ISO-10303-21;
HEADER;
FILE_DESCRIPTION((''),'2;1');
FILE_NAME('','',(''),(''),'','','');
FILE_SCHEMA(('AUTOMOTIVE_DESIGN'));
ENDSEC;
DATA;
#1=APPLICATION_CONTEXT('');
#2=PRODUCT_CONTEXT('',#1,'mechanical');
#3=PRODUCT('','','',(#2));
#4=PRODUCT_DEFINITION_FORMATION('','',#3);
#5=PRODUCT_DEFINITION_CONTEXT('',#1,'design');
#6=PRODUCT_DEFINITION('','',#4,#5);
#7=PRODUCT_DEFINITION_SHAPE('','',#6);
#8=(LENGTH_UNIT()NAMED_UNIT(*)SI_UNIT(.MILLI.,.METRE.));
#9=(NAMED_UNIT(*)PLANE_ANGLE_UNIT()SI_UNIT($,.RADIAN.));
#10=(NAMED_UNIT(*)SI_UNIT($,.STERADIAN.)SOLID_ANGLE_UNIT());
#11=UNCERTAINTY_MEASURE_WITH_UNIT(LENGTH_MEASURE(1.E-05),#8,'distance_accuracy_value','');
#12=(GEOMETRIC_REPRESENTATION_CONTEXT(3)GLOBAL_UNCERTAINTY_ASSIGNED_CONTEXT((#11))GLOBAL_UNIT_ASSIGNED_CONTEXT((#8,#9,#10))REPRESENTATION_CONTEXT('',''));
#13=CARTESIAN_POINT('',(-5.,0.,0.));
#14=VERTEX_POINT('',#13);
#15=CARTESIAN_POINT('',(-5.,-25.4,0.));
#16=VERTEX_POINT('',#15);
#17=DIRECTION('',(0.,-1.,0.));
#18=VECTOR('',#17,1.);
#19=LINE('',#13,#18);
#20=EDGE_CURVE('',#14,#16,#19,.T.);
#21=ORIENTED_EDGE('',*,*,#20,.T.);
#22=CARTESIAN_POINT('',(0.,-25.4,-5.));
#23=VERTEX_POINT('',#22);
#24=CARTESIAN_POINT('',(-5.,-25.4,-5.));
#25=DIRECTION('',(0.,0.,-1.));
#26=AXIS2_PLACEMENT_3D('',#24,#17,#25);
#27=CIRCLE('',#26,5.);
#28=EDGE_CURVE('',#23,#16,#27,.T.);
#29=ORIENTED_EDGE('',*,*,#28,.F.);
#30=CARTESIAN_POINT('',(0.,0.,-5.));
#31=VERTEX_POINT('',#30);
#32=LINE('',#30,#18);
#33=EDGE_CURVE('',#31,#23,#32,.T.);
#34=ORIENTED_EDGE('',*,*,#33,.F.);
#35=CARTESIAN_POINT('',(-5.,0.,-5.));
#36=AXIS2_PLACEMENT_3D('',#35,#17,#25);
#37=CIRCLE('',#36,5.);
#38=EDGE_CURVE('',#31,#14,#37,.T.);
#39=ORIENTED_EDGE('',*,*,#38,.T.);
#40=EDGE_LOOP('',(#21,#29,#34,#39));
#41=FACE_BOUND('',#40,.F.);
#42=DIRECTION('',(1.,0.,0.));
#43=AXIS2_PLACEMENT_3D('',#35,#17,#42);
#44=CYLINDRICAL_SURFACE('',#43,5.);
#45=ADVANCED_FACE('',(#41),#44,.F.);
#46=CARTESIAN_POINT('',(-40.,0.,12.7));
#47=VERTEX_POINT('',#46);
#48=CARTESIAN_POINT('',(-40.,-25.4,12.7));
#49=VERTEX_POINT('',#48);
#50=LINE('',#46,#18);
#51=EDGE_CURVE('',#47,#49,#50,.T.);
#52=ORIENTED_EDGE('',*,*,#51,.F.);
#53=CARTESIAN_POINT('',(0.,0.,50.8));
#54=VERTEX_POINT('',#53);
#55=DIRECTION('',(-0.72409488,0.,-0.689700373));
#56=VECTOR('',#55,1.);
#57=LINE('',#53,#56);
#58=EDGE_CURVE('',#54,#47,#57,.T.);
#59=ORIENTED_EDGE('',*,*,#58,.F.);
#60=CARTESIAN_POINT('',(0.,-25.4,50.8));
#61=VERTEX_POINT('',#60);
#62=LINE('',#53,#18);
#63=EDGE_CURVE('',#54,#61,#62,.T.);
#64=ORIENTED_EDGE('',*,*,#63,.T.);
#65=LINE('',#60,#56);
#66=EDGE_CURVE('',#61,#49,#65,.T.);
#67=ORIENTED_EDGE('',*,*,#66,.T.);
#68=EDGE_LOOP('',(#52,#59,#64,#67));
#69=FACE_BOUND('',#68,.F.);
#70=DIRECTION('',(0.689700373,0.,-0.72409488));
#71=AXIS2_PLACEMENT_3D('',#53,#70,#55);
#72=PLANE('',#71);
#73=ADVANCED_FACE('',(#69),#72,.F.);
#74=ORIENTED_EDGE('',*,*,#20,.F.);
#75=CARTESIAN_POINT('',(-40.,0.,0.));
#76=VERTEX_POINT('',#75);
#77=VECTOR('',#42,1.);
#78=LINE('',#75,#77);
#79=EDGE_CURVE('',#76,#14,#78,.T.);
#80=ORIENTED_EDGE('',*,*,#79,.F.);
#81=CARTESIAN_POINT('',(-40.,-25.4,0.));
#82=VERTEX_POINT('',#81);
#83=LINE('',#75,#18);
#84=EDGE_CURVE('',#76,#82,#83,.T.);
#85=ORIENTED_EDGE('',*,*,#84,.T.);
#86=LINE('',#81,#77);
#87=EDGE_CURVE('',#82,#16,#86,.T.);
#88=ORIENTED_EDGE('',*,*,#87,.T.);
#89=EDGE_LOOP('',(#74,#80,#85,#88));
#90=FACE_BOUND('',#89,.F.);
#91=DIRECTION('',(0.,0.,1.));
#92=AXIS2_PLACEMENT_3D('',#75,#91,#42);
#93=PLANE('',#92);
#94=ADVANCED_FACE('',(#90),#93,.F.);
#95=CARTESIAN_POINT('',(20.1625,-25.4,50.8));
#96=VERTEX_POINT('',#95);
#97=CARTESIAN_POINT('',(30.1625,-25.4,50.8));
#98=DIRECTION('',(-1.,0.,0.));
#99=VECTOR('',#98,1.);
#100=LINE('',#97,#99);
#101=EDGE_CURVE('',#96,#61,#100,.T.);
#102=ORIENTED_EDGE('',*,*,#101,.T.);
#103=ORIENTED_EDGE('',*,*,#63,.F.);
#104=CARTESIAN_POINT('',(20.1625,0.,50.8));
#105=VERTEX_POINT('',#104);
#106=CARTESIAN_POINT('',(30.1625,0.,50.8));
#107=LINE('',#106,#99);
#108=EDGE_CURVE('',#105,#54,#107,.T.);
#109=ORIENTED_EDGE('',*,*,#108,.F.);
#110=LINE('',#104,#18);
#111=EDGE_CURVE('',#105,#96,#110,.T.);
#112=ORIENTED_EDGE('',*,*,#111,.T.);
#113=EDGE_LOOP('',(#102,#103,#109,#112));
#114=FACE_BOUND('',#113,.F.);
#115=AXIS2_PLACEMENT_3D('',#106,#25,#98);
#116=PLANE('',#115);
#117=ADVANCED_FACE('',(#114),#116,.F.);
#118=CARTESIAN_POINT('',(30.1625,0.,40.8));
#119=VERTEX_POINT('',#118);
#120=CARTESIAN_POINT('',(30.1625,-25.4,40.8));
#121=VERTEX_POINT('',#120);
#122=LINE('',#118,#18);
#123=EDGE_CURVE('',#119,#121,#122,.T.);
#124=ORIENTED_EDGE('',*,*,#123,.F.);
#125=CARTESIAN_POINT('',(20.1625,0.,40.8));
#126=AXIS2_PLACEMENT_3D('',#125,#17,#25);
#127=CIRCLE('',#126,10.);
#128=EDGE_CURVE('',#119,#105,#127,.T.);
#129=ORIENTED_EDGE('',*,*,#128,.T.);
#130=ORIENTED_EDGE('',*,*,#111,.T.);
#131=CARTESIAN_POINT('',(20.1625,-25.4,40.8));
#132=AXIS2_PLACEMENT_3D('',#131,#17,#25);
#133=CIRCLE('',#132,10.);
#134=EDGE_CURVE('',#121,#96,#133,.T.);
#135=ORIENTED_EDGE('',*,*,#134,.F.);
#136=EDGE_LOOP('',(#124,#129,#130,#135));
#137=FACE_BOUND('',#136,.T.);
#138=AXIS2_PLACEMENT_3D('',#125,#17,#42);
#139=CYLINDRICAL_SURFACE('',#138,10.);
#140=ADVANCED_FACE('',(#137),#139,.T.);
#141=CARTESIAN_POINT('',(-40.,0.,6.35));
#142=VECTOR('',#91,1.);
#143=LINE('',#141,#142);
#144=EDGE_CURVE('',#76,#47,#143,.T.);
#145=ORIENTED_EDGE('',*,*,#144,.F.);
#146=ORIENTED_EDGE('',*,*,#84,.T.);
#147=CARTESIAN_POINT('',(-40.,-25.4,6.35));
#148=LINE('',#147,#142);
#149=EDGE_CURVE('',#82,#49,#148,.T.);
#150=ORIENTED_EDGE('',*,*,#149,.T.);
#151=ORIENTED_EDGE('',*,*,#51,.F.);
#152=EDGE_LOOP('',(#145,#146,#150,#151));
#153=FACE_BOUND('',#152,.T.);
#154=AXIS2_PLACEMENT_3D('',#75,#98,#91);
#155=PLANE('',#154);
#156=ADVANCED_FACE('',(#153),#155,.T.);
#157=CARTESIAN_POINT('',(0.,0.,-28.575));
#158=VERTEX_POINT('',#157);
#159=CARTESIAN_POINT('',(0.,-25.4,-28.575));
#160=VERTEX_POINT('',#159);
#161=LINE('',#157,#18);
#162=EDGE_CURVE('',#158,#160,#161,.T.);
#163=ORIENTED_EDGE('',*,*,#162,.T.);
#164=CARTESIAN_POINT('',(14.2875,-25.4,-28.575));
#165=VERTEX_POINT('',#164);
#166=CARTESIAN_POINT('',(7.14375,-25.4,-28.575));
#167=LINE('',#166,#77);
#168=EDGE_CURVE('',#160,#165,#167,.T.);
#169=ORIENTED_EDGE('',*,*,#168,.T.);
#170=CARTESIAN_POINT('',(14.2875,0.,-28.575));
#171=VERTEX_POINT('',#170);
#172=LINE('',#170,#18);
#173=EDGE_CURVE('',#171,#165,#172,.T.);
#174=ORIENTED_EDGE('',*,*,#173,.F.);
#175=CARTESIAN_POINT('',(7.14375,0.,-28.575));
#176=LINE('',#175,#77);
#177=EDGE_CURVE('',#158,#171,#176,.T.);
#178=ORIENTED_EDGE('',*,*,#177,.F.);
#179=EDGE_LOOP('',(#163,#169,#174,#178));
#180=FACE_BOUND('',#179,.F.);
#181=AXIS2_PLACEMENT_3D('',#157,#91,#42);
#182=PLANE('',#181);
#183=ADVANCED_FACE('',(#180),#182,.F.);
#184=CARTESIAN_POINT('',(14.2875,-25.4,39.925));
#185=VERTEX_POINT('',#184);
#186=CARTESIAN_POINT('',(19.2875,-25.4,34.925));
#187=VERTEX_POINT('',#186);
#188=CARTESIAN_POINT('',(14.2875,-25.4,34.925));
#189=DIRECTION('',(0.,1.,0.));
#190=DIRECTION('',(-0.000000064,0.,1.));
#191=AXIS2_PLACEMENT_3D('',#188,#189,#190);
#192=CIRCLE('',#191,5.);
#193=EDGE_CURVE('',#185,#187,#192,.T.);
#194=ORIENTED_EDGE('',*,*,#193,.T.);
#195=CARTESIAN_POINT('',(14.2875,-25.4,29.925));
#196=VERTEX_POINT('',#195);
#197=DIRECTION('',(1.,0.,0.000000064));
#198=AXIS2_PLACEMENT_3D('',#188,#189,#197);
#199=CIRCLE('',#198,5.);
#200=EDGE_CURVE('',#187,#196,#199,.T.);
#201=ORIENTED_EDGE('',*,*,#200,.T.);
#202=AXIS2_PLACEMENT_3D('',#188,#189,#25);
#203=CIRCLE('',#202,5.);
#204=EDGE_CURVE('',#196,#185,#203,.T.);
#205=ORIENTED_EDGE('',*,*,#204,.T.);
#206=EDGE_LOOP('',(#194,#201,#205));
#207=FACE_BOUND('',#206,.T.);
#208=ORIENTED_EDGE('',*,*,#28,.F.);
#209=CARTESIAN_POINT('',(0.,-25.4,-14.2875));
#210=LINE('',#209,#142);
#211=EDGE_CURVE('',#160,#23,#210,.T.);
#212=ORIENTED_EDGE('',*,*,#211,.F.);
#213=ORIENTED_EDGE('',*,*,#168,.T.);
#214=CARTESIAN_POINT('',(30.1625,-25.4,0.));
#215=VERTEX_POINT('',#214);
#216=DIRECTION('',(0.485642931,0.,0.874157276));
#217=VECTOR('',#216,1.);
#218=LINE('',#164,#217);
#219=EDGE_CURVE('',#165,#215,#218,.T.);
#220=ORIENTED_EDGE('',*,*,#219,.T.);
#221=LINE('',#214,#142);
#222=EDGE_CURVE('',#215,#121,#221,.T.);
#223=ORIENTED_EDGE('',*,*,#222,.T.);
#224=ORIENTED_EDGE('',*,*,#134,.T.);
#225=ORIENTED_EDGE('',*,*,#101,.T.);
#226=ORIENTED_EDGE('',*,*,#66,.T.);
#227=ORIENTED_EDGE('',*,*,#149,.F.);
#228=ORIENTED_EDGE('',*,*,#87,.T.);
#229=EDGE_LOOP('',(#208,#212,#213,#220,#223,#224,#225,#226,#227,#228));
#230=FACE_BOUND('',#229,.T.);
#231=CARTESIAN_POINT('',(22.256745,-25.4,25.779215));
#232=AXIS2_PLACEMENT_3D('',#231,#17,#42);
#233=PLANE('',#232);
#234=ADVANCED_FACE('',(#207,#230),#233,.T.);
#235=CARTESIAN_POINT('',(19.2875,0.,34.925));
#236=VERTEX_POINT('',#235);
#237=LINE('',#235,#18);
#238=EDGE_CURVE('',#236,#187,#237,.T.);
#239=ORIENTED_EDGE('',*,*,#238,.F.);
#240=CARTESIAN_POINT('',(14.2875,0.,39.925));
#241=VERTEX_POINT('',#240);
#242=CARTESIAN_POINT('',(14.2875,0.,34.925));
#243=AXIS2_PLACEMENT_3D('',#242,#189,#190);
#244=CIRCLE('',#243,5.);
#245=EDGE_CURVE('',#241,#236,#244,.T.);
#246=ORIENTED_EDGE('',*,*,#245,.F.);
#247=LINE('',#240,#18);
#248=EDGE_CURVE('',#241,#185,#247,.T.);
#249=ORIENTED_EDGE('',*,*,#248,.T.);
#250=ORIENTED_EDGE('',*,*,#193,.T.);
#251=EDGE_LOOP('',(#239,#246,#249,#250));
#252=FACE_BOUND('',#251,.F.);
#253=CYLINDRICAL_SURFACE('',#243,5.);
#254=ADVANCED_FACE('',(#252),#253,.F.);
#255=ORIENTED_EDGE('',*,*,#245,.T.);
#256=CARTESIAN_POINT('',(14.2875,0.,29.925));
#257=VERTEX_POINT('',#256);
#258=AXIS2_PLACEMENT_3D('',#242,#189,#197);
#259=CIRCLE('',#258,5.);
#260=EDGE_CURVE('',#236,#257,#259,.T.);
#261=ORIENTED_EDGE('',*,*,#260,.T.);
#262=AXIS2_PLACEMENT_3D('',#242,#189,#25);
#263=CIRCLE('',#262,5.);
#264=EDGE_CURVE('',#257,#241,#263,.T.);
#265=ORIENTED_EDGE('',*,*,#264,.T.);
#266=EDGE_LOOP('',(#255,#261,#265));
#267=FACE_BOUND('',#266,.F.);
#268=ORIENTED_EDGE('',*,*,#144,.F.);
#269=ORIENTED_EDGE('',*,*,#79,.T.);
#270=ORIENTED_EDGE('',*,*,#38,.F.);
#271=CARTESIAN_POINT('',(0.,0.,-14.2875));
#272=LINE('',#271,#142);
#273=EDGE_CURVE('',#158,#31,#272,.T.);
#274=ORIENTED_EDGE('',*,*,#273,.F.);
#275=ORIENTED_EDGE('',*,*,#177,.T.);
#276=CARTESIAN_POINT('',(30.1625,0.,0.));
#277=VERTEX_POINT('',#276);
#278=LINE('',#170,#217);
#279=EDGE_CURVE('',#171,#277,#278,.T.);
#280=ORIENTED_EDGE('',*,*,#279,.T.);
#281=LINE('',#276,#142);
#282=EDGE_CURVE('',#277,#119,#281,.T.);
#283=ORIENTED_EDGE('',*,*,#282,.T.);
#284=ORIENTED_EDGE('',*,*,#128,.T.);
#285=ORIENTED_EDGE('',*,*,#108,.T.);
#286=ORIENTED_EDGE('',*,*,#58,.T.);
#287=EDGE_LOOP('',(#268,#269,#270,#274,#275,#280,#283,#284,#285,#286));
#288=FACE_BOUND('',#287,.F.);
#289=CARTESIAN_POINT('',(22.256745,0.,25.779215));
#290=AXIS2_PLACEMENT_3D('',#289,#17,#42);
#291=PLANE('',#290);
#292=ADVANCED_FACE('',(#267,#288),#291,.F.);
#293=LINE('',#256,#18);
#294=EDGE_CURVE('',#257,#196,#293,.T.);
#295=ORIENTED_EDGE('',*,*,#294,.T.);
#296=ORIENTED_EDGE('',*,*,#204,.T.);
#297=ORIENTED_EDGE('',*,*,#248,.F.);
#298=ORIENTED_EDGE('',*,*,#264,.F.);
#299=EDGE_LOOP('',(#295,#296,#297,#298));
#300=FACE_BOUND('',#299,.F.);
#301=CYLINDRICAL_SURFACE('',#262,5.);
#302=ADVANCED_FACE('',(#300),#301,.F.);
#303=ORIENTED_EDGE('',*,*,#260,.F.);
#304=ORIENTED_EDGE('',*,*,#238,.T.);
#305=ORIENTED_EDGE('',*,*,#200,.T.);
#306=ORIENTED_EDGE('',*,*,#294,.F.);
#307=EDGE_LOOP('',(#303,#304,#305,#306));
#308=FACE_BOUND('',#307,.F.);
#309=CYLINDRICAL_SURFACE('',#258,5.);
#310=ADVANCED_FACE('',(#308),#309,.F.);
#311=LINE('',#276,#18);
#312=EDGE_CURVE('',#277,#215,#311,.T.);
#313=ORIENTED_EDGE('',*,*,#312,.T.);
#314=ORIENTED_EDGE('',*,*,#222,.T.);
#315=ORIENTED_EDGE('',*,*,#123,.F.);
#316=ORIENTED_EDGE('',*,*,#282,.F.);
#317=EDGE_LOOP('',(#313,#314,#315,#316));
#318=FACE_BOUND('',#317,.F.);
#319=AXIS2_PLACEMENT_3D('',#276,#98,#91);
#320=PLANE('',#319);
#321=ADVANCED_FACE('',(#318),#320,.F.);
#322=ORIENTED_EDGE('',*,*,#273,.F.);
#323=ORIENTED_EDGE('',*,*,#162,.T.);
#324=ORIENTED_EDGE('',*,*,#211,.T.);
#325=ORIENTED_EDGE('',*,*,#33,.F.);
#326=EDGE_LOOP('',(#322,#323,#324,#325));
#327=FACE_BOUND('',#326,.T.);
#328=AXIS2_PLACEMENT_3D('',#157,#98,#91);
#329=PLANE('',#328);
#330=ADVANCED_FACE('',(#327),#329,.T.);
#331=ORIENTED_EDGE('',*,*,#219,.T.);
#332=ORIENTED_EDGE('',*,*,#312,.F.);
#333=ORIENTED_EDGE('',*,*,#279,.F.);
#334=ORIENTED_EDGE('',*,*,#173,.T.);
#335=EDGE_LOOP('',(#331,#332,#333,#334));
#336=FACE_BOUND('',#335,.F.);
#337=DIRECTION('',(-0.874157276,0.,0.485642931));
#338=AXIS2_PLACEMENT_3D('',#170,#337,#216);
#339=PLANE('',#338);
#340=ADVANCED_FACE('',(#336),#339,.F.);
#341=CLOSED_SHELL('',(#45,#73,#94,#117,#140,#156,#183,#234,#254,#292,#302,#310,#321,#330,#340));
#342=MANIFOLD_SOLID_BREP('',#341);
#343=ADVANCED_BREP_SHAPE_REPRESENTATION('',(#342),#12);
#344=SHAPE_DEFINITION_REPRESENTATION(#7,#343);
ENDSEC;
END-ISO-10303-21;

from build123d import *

# Parameters (mm, degrees)
F0_W     = 40
F0_H     = 12.7
F0_W_2   = 14.2875
F0_H_2   = 28.575
F1_DEPTH = 25.4
F2_R     = 10
F3_R     = 5


with BuildPart() as f1:
    # F0 (on Front) → F1 (new body)
    with BuildSketch(Plane.XZ):
        with BuildLine():
            Line((14.2875, 29.925), (14.2875, 0))
            Line((14.2875, 0), (30.1625, 0))
            Line((30.1625, 0), (30.1625, 50.8))
            Line((30.1625, 50.8), (14.2875, 50.8))
            Line((14.2875, 50.8), (14.2875, 39.925))
            ThreePointArc((14.2875, 39.925), (17.823034, 38.460534), (19.2875, 34.925))
            ThreePointArc((19.2875, 34.925), (17.823034, 31.389466), (14.2875, 29.925))
        make_face()
        with BuildLine():
            Line((0, 12.7), (0, 0))
            Line((0, 0), (14.2875, 0))
            Line((14.2875, 0), (14.2875, 29.925))
            ThreePointArc((14.2875, 29.925), (9.2875, 34.925), (14.2875, 39.925))
            Line((14.2875, 39.925), (14.2875, 50.8))
            Line((14.2875, 50.8), (0, 50.8))
            Line((0, 50.8), (0, 12.7))
        make_face()
        Polygon((-40, 12.7), (0, 12.7), (0, 50.8), align=None)
        with Locations((-20, 6.35)):
            Rectangle(F0_W, F0_H)
        with Locations((7.14375, -14.2875)):
            Rectangle(F0_W_2, F0_H_2)
        Polygon((30.1625, 0), (14.2875, 0), (14.2875, -28.575), align=None)
    extrude(amount=F1_DEPTH)

    # F2
    f2_edges = [f1.edges().sort_by_distance(p)[0] for p in [
        (30.1625, -12.7, 50.8),
    ]]
    fillet(f2_edges, radius=F2_R)

    # F3
    f3_edges = [f1.edges().sort_by_distance(p)[0] for p in [
        (0, -12.7, 0),
    ]]
    fillet(f3_edges, radius=F3_R)


solid = f1.part
